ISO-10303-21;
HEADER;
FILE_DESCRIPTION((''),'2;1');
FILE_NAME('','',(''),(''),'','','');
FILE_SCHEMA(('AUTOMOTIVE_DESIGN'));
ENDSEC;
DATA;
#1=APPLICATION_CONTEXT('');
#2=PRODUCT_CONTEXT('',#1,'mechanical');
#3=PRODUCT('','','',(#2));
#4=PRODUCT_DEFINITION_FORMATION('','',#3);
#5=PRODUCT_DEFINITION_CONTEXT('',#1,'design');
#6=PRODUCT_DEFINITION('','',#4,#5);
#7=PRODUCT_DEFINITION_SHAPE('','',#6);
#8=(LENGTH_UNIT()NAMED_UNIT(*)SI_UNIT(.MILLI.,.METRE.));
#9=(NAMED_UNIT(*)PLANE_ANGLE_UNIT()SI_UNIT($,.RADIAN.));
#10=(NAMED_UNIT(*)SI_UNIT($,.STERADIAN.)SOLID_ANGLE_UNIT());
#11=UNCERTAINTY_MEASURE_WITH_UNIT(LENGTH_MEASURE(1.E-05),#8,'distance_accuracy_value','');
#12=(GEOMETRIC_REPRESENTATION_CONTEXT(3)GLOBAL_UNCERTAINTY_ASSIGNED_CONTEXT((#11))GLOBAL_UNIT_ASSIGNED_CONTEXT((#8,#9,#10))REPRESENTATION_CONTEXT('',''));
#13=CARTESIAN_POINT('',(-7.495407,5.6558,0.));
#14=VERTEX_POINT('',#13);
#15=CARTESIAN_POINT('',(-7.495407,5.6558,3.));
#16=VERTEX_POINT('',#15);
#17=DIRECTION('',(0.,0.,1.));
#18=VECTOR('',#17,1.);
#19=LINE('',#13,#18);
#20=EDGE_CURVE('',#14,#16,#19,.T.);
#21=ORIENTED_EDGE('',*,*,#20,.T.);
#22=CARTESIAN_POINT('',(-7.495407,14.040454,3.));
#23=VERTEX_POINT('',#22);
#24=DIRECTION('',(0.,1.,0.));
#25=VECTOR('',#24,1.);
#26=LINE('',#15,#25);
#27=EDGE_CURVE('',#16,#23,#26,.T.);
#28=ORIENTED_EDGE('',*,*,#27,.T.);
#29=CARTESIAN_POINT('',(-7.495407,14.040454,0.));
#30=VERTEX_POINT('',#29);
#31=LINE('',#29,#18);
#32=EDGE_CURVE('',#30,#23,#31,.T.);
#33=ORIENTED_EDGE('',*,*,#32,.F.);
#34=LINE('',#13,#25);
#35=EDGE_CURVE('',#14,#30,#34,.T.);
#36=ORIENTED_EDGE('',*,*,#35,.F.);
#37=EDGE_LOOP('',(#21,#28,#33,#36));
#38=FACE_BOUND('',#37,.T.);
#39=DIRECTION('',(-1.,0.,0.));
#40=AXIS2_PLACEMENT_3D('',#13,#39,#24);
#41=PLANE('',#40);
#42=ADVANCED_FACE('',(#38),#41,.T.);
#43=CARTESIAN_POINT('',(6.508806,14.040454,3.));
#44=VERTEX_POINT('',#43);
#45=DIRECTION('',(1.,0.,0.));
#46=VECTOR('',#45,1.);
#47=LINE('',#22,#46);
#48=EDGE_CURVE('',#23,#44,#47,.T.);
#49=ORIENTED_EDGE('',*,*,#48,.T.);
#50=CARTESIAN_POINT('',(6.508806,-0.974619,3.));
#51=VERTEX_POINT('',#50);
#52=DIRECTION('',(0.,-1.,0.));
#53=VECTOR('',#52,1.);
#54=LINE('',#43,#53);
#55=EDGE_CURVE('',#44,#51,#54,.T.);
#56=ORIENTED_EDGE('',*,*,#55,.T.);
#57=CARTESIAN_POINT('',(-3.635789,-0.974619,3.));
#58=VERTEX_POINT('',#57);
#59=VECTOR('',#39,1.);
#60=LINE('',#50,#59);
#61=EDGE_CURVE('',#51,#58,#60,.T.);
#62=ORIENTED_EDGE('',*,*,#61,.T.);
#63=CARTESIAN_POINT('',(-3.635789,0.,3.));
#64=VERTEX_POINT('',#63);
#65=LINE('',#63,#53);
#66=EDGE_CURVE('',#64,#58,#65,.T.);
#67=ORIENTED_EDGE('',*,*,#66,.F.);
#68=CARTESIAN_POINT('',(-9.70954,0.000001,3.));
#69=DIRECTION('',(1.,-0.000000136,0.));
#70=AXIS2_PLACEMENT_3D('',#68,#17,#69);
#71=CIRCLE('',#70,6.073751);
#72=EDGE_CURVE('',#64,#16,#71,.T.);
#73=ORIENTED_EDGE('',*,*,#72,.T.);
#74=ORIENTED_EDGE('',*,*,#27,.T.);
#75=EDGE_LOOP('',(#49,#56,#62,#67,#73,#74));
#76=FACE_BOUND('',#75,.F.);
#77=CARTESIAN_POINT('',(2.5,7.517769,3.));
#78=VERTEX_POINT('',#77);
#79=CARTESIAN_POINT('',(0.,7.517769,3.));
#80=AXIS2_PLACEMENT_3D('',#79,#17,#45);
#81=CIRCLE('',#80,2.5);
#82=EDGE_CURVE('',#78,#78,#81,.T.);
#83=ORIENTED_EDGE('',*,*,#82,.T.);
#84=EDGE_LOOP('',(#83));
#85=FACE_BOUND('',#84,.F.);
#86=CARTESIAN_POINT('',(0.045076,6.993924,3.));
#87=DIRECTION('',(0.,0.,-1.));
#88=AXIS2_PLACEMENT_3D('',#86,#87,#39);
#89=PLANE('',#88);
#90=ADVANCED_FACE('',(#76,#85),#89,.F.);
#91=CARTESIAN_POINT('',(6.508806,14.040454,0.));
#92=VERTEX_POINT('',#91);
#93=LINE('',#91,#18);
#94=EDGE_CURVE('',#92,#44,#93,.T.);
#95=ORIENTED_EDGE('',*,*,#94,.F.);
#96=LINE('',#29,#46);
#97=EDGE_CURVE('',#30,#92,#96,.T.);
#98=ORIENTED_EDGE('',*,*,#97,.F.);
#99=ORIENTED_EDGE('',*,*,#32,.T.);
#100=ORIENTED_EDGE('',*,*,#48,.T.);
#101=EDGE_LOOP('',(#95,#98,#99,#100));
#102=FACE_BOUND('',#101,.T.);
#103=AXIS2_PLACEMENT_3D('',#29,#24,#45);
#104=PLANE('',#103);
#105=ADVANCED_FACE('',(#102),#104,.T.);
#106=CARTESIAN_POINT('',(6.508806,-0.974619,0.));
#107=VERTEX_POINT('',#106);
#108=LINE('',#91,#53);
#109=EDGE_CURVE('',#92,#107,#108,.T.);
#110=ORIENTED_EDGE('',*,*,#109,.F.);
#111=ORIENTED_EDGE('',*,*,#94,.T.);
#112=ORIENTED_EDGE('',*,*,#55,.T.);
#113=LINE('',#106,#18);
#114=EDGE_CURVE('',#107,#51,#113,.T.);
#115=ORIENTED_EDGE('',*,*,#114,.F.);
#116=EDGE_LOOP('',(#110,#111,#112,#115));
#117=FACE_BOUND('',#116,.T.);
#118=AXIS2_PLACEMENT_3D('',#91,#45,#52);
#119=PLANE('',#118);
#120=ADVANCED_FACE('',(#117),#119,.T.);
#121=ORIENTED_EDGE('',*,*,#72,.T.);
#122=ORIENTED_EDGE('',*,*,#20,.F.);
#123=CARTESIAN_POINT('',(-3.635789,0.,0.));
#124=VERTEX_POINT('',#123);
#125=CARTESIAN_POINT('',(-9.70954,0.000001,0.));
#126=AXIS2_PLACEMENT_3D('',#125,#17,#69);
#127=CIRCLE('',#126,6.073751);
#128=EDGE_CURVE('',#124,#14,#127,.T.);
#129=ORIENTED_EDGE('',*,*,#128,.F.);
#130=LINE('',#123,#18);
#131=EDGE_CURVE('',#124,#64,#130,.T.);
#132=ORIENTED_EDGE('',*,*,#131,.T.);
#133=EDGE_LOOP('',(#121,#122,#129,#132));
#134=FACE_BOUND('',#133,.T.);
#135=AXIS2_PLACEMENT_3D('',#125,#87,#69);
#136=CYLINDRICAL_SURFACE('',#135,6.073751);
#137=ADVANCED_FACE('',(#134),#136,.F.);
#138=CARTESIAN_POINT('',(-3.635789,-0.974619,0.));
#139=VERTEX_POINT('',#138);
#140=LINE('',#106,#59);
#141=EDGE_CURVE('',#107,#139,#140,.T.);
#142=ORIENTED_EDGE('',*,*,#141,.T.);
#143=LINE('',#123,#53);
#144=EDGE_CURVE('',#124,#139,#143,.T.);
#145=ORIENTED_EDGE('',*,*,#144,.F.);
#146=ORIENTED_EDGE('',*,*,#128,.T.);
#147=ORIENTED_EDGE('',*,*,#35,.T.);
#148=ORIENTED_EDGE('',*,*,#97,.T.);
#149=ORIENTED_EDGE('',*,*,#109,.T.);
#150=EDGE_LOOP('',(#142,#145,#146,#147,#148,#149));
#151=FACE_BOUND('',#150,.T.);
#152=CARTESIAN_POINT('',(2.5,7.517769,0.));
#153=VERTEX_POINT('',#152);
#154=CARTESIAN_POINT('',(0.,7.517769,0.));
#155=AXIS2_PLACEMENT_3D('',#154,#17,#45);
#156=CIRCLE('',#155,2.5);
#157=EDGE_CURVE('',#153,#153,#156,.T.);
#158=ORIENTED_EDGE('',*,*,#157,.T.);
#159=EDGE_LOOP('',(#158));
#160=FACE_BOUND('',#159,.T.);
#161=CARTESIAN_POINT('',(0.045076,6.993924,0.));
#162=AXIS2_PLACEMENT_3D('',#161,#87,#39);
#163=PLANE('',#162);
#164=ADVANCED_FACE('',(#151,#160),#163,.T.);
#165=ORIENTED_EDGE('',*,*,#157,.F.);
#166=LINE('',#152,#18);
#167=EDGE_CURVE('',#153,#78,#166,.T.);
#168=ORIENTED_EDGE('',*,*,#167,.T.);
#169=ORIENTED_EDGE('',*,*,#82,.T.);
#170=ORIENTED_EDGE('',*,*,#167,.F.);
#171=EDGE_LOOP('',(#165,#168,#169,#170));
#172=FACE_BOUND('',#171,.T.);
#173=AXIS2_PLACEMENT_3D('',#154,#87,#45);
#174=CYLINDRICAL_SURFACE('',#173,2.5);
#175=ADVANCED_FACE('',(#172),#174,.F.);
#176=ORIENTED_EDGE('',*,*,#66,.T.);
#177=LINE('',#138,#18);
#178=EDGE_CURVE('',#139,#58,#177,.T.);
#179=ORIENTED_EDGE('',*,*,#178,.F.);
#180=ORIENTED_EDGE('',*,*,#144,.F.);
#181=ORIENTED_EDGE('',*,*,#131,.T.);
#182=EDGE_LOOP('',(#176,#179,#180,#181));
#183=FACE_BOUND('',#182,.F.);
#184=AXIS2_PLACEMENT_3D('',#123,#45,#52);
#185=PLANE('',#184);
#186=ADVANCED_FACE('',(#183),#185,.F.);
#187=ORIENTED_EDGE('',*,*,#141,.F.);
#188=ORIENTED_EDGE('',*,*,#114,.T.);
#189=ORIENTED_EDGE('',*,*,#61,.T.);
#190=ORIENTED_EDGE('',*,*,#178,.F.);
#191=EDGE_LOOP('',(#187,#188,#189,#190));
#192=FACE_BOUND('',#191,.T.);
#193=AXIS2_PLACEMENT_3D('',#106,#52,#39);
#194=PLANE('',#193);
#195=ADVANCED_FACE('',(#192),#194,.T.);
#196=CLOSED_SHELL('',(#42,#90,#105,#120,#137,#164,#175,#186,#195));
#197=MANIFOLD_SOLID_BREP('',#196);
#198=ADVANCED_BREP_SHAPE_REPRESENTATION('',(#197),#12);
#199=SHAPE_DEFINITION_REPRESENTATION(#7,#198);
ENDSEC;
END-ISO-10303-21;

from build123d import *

# Parameters (mm, degrees)
SKETCH_R      = 2.5
EXTRUDE_DEPTH = 3


with BuildPart() as part:
    # Sketch → Extrude (new body)
    with BuildSketch(Plane.XY):
        with BuildLine():
            Line((-7.495407, 14.040454), (6.508806, 14.040454))
            Line((6.508806, 14.040454), (6.508806, 0))
            Line((6.508806, 0), (6.508806, -0.974619))
            Line((6.508806, -0.974619), (-3.635789, -0.974619))
            Line((-3.635789, 0), (-3.635789, -0.974619))
            ThreePointArc((-3.635789, 0), (-4.692641, 3.423621), (-7.495407, 5.6558))
            Line((-7.495407, 5.6558), (-7.495407, 14.040454))
        make_face()
        with Locations((0, 7.517769)):
            Circle(SKETCH_R, mode=Mode.SUBTRACT)
    extrude(amount=EXTRUDE_DEPTH)


solid = part.part
